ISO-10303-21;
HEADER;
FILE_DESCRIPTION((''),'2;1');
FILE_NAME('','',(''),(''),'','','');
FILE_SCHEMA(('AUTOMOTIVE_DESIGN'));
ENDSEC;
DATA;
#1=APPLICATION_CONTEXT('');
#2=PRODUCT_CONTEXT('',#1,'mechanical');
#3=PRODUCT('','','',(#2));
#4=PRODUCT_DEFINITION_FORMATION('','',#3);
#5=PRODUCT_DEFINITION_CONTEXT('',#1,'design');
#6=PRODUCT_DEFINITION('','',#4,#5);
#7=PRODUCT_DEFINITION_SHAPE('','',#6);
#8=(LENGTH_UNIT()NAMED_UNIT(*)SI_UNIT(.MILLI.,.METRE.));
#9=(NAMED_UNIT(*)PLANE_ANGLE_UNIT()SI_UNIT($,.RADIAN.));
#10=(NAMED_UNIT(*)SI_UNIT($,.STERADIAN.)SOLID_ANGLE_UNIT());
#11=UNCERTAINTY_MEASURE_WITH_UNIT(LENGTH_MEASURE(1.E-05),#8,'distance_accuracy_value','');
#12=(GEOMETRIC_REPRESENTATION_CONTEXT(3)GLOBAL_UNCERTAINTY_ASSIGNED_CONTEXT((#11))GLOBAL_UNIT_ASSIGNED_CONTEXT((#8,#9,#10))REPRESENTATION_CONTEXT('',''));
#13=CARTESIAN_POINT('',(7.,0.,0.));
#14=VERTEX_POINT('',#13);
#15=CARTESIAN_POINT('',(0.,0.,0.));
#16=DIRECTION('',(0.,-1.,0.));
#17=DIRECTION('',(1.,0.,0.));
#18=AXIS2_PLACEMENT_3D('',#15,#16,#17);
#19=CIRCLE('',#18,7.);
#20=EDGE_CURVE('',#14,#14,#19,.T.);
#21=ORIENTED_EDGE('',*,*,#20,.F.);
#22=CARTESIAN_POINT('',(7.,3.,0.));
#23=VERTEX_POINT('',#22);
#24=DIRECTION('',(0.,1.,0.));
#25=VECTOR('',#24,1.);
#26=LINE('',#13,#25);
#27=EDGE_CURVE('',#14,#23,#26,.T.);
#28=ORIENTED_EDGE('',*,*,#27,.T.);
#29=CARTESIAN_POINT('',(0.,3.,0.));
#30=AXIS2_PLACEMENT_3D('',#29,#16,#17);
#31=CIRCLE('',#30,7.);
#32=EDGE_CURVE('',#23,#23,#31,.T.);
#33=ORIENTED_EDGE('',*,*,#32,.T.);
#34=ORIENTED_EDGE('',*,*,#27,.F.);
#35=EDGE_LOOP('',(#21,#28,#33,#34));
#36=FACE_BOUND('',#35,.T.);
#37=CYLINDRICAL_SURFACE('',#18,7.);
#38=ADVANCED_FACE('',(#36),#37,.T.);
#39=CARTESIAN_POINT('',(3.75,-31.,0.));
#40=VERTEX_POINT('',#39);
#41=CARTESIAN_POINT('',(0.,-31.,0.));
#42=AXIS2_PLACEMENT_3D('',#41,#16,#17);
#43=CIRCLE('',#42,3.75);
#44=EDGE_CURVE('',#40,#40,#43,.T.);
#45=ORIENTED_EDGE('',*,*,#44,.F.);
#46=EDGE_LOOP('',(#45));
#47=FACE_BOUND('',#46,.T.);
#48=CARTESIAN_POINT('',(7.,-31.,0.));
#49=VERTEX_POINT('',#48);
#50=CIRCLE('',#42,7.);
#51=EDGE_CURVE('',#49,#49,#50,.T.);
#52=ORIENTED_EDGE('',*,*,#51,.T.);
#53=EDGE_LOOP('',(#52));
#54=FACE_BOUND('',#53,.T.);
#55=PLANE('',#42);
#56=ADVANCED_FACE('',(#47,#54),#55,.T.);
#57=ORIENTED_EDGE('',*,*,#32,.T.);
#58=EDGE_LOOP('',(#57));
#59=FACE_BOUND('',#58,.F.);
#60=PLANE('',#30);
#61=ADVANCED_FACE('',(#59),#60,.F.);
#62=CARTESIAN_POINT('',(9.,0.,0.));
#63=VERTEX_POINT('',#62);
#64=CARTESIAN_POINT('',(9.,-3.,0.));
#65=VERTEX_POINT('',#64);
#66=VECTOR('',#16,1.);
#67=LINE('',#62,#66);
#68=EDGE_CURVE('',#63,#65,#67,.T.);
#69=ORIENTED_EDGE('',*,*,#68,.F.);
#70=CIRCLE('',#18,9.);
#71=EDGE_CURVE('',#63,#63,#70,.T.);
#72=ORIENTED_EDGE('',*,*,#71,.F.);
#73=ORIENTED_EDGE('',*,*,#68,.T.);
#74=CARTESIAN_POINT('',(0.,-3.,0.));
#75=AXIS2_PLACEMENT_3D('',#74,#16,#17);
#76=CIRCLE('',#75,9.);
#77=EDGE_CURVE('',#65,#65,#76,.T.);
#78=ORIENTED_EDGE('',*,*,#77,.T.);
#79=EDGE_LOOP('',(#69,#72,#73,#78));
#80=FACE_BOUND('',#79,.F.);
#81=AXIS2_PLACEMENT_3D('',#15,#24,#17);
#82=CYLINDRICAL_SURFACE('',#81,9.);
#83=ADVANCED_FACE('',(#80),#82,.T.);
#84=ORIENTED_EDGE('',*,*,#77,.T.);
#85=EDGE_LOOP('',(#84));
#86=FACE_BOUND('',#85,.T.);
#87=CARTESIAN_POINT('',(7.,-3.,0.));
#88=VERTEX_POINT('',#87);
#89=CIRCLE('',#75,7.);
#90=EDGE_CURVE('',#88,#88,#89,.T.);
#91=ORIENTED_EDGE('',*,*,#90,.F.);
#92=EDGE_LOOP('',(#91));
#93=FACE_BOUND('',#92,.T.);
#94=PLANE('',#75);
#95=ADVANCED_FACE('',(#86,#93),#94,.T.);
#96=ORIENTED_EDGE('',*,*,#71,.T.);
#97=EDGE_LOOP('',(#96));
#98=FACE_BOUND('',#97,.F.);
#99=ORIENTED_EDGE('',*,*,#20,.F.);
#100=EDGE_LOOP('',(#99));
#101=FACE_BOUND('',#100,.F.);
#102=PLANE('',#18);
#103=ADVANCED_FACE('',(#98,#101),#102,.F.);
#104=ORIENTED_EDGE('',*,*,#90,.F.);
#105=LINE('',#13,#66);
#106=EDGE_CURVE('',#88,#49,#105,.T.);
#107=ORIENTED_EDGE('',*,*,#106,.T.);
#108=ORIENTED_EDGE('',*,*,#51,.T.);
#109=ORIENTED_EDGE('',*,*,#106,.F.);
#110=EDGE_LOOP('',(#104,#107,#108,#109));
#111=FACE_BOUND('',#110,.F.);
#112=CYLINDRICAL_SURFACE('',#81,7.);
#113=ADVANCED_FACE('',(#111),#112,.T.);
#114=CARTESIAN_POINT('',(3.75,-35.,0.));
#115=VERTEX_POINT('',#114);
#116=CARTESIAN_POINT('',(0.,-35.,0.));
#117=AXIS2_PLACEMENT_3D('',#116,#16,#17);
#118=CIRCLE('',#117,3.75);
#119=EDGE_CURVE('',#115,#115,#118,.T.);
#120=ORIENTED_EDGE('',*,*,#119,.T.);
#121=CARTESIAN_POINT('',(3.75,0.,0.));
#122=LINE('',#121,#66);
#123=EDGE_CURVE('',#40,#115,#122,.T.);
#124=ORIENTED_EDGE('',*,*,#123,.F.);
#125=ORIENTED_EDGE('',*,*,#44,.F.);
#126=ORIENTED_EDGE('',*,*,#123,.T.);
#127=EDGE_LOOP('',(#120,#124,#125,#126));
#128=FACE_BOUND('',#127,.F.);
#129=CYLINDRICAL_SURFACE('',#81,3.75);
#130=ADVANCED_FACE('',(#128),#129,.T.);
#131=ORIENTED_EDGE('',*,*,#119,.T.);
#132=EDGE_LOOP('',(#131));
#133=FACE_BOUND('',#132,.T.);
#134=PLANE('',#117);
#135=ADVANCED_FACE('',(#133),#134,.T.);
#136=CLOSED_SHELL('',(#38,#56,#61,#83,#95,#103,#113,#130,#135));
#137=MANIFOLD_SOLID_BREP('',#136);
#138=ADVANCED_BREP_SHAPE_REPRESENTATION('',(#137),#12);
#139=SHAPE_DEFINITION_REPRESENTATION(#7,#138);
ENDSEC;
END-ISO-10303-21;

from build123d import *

# Parameters (mm, degrees)
F0_R     = 7
F0_R_2   = 3.75
F1_DEPTH = 31
F0_R_3   = 9
F2_DEPTH = 3
F3_DEPTH = 3
F4_DEPTH = 3
F5_DEPTH = 35


with BuildPart() as f1:
    # F0 (on Front) → F1 (new body)
    with BuildSketch(Plane.XZ):
        Circle(F0_R)
        Circle(F0_R_2, mode=Mode.SUBTRACT)
    extrude(amount=F1_DEPTH)

    # F0 (on Front) → F2 (join)
    with BuildSketch(Plane.XZ):
        Circle(F0_R_3)
        Circle(F0_R, mode=Mode.SUBTRACT)
    extrude(amount=F2_DEPTH)

    # F0 (on Front) → F3 (join)
    with BuildSketch(Plane.XZ):
        Circle(F0_R)
        Circle(F0_R_2, mode=Mode.SUBTRACT)
    extrude(amount=-F3_DEPTH)

    # F0 (on Front) → F4 (join)
    with BuildSketch(Plane.XZ):
        Circle(F0_R_2)
    extrude(amount=-F4_DEPTH)

    # F0 (on Front) → F5 (join)
    with BuildSketch(Plane.XZ):
        Circle(F0_R_2)
    extrude(amount=F5_DEPTH)


solid = f1.part
